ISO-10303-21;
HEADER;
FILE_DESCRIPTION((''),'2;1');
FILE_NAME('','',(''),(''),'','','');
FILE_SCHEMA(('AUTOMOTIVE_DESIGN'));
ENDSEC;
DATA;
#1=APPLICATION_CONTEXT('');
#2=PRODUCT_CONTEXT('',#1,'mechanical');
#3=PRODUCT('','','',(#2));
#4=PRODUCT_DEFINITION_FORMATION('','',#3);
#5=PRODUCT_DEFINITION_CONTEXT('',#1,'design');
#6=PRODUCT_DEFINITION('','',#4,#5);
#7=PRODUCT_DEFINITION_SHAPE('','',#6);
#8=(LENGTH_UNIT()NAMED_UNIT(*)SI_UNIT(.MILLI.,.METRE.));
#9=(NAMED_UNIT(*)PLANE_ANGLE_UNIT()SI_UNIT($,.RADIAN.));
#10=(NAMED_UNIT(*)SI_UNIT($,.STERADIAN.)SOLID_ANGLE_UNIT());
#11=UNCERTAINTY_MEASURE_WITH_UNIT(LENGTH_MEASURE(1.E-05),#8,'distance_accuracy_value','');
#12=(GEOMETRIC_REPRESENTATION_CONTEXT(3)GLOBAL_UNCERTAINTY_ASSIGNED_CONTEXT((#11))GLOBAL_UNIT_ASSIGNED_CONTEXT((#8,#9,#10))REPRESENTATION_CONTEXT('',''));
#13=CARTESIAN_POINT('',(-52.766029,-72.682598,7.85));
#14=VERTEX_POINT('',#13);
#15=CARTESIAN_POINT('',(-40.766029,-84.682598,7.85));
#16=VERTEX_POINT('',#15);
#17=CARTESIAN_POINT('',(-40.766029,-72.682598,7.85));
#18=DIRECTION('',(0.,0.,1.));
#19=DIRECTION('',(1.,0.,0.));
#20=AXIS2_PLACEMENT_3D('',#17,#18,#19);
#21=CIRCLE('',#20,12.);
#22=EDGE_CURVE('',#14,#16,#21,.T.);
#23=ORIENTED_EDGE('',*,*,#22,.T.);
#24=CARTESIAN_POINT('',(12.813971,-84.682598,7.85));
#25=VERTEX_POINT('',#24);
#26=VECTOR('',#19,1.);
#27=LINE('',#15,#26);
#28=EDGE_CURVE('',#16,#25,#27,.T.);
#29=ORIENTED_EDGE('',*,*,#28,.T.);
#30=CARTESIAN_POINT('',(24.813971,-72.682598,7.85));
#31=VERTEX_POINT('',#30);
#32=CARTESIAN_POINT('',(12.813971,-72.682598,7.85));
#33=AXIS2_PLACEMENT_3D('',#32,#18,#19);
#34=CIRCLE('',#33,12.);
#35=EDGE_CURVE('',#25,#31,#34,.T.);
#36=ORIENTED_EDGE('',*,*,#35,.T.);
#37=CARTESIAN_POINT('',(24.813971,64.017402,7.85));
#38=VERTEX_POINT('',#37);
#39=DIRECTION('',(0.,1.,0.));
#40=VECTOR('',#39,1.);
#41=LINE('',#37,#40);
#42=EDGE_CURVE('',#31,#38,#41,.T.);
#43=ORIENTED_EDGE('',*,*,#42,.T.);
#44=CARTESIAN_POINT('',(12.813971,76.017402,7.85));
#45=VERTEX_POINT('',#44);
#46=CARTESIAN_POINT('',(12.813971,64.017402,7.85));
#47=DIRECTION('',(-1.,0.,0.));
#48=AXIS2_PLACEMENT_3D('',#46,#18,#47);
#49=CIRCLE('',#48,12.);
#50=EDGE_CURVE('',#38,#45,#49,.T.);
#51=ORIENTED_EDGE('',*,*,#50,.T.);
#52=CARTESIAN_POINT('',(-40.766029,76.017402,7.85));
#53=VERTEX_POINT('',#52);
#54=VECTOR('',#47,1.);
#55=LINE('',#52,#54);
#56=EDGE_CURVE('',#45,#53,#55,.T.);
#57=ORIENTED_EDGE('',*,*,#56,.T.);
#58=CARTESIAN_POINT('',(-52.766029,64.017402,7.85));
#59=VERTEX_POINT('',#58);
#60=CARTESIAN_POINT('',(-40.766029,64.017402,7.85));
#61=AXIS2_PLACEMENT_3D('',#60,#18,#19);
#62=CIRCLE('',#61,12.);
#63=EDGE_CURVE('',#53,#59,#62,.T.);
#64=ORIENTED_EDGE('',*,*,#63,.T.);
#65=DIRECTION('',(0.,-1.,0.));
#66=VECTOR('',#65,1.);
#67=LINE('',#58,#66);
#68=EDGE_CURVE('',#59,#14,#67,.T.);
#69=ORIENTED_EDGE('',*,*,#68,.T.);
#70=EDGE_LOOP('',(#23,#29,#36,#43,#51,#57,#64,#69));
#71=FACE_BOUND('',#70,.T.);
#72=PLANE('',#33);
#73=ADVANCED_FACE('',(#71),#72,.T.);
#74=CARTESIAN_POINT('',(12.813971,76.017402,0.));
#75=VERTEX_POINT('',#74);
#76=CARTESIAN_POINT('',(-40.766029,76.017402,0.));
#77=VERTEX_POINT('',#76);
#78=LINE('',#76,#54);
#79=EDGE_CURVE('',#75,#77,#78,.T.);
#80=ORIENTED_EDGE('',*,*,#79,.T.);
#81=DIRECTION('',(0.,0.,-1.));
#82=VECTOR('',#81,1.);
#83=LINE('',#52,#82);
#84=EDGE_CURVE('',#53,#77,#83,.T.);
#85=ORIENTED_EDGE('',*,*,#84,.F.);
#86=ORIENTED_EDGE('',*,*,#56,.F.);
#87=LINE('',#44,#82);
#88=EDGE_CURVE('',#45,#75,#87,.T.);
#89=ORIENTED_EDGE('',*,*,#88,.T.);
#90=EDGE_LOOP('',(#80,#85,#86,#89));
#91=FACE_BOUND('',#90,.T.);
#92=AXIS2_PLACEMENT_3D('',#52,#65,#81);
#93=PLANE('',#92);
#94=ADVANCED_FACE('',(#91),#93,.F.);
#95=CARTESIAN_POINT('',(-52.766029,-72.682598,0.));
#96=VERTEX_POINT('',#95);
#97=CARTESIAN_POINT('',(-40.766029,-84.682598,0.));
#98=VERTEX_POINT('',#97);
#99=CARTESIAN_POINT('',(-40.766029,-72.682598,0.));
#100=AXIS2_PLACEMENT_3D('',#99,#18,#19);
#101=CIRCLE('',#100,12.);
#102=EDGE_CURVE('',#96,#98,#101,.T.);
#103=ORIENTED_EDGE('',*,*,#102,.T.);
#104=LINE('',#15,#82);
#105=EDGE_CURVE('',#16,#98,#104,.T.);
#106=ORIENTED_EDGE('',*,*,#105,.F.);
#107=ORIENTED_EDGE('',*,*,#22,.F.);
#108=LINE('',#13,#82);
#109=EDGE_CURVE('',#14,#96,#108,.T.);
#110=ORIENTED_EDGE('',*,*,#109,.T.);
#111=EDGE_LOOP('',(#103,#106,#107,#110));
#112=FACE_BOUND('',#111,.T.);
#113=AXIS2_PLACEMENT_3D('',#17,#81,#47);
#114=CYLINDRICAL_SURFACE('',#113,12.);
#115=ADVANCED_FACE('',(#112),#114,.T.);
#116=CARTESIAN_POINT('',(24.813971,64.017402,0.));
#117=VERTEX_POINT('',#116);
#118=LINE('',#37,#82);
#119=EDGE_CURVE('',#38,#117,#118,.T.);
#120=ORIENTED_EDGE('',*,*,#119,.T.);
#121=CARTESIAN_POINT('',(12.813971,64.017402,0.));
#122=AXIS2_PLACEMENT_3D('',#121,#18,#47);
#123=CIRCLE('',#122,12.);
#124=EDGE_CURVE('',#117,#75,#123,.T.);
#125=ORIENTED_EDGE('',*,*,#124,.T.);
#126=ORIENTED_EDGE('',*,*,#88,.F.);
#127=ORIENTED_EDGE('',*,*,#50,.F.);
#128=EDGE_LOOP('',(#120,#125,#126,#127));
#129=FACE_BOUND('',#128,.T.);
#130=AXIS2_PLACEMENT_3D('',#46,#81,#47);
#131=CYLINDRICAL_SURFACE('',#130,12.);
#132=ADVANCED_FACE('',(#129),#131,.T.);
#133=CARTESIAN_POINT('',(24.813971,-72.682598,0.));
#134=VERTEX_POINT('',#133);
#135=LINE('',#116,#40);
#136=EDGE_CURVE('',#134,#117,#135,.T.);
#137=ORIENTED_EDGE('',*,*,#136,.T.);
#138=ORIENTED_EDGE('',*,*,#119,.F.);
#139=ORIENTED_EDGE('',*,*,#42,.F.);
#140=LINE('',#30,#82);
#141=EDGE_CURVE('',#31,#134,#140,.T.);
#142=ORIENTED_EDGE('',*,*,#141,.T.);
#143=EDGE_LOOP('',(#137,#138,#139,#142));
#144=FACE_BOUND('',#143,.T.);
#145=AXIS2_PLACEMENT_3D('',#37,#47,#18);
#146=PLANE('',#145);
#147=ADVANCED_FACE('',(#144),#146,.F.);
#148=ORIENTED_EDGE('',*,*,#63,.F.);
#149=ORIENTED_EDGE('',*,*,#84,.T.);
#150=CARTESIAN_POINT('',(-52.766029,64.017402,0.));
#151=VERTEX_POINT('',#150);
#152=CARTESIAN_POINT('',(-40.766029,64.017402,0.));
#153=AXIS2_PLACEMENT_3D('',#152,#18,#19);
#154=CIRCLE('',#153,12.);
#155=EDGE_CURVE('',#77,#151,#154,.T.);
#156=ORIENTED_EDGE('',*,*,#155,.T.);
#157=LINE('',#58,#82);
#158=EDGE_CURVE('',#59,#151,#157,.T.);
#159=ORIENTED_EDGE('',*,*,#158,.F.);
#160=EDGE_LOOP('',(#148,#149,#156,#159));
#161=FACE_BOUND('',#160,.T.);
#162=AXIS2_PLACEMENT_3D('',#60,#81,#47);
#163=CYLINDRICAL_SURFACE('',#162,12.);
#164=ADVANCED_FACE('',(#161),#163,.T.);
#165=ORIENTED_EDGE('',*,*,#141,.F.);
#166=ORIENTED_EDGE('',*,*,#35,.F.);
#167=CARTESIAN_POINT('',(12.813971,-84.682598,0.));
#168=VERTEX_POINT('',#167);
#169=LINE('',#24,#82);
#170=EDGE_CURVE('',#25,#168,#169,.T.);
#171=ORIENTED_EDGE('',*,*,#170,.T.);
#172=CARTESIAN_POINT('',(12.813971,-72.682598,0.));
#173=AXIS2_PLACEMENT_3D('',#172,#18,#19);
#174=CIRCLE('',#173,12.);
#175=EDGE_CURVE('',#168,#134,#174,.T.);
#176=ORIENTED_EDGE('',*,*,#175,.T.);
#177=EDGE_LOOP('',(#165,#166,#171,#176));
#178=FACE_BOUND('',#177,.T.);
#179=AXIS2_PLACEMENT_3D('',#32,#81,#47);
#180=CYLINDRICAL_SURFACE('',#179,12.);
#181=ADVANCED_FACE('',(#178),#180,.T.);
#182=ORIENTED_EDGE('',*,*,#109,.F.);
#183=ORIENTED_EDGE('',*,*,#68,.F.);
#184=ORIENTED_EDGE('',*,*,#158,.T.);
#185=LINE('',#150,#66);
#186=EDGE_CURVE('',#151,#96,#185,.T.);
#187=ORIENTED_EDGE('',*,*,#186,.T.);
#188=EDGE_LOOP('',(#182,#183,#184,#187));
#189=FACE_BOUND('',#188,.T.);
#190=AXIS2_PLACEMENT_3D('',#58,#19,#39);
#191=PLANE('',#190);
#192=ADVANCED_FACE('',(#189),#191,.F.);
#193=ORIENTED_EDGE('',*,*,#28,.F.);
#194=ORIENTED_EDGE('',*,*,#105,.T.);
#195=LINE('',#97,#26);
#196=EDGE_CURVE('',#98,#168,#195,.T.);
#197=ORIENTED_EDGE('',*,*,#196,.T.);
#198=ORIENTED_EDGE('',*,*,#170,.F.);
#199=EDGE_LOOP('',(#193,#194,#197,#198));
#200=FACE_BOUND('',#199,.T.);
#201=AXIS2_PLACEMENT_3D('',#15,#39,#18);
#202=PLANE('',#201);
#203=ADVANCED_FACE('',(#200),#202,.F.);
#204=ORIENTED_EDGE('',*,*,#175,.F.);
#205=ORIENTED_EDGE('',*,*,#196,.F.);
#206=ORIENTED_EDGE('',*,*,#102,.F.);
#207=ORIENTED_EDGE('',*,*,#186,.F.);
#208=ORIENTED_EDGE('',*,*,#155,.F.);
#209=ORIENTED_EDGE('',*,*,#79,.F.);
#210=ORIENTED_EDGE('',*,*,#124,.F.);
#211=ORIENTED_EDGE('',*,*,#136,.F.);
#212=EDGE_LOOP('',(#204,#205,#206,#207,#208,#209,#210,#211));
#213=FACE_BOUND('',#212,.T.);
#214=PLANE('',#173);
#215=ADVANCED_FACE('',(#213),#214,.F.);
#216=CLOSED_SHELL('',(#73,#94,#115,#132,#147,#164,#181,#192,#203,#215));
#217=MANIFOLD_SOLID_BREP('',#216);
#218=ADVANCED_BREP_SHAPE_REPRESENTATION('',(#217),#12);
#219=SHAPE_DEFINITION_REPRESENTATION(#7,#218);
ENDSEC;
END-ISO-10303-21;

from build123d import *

# Parameters (mm, degrees)
BOSS_EXTRUDE1_DEPTH = 7.85


with BuildPart() as part:
    # Sketch1 → Boss-Extrude1 (new body)
    with BuildSketch(Plane.XY):
        with BuildLine():
            Line((-40.766029412, 76.017401961), (12.813970588, 76.017401961))
            ThreePointArc((12.813970588, 76.017401961), (21.299251962, 72.502683335), (24.813970588, 64.017401961))
            Line((24.813970588, 64.017401961), (24.813970588, -72.682598039))
            ThreePointArc((24.813970588, -72.682598039), (21.299251962, -81.167879413), (12.813970588, -84.682598039))
            Line((12.813970588, -84.682598039), (-40.766029412, -84.682598039))
            ThreePointArc((-40.766029412, -84.682598039), (-49.251310786, -81.167879413), (-52.766029412, -72.682598039))
            Line((-52.766029412, -72.682598039), (-52.766029412, 64.017401961))
            ThreePointArc((-52.766029412, 64.017401961), (-49.251310786, 72.502683335), (-40.766029412, 76.017401961))
        make_face()
    extrude(amount=BOSS_EXTRUDE1_DEPTH)


solid = part.part
